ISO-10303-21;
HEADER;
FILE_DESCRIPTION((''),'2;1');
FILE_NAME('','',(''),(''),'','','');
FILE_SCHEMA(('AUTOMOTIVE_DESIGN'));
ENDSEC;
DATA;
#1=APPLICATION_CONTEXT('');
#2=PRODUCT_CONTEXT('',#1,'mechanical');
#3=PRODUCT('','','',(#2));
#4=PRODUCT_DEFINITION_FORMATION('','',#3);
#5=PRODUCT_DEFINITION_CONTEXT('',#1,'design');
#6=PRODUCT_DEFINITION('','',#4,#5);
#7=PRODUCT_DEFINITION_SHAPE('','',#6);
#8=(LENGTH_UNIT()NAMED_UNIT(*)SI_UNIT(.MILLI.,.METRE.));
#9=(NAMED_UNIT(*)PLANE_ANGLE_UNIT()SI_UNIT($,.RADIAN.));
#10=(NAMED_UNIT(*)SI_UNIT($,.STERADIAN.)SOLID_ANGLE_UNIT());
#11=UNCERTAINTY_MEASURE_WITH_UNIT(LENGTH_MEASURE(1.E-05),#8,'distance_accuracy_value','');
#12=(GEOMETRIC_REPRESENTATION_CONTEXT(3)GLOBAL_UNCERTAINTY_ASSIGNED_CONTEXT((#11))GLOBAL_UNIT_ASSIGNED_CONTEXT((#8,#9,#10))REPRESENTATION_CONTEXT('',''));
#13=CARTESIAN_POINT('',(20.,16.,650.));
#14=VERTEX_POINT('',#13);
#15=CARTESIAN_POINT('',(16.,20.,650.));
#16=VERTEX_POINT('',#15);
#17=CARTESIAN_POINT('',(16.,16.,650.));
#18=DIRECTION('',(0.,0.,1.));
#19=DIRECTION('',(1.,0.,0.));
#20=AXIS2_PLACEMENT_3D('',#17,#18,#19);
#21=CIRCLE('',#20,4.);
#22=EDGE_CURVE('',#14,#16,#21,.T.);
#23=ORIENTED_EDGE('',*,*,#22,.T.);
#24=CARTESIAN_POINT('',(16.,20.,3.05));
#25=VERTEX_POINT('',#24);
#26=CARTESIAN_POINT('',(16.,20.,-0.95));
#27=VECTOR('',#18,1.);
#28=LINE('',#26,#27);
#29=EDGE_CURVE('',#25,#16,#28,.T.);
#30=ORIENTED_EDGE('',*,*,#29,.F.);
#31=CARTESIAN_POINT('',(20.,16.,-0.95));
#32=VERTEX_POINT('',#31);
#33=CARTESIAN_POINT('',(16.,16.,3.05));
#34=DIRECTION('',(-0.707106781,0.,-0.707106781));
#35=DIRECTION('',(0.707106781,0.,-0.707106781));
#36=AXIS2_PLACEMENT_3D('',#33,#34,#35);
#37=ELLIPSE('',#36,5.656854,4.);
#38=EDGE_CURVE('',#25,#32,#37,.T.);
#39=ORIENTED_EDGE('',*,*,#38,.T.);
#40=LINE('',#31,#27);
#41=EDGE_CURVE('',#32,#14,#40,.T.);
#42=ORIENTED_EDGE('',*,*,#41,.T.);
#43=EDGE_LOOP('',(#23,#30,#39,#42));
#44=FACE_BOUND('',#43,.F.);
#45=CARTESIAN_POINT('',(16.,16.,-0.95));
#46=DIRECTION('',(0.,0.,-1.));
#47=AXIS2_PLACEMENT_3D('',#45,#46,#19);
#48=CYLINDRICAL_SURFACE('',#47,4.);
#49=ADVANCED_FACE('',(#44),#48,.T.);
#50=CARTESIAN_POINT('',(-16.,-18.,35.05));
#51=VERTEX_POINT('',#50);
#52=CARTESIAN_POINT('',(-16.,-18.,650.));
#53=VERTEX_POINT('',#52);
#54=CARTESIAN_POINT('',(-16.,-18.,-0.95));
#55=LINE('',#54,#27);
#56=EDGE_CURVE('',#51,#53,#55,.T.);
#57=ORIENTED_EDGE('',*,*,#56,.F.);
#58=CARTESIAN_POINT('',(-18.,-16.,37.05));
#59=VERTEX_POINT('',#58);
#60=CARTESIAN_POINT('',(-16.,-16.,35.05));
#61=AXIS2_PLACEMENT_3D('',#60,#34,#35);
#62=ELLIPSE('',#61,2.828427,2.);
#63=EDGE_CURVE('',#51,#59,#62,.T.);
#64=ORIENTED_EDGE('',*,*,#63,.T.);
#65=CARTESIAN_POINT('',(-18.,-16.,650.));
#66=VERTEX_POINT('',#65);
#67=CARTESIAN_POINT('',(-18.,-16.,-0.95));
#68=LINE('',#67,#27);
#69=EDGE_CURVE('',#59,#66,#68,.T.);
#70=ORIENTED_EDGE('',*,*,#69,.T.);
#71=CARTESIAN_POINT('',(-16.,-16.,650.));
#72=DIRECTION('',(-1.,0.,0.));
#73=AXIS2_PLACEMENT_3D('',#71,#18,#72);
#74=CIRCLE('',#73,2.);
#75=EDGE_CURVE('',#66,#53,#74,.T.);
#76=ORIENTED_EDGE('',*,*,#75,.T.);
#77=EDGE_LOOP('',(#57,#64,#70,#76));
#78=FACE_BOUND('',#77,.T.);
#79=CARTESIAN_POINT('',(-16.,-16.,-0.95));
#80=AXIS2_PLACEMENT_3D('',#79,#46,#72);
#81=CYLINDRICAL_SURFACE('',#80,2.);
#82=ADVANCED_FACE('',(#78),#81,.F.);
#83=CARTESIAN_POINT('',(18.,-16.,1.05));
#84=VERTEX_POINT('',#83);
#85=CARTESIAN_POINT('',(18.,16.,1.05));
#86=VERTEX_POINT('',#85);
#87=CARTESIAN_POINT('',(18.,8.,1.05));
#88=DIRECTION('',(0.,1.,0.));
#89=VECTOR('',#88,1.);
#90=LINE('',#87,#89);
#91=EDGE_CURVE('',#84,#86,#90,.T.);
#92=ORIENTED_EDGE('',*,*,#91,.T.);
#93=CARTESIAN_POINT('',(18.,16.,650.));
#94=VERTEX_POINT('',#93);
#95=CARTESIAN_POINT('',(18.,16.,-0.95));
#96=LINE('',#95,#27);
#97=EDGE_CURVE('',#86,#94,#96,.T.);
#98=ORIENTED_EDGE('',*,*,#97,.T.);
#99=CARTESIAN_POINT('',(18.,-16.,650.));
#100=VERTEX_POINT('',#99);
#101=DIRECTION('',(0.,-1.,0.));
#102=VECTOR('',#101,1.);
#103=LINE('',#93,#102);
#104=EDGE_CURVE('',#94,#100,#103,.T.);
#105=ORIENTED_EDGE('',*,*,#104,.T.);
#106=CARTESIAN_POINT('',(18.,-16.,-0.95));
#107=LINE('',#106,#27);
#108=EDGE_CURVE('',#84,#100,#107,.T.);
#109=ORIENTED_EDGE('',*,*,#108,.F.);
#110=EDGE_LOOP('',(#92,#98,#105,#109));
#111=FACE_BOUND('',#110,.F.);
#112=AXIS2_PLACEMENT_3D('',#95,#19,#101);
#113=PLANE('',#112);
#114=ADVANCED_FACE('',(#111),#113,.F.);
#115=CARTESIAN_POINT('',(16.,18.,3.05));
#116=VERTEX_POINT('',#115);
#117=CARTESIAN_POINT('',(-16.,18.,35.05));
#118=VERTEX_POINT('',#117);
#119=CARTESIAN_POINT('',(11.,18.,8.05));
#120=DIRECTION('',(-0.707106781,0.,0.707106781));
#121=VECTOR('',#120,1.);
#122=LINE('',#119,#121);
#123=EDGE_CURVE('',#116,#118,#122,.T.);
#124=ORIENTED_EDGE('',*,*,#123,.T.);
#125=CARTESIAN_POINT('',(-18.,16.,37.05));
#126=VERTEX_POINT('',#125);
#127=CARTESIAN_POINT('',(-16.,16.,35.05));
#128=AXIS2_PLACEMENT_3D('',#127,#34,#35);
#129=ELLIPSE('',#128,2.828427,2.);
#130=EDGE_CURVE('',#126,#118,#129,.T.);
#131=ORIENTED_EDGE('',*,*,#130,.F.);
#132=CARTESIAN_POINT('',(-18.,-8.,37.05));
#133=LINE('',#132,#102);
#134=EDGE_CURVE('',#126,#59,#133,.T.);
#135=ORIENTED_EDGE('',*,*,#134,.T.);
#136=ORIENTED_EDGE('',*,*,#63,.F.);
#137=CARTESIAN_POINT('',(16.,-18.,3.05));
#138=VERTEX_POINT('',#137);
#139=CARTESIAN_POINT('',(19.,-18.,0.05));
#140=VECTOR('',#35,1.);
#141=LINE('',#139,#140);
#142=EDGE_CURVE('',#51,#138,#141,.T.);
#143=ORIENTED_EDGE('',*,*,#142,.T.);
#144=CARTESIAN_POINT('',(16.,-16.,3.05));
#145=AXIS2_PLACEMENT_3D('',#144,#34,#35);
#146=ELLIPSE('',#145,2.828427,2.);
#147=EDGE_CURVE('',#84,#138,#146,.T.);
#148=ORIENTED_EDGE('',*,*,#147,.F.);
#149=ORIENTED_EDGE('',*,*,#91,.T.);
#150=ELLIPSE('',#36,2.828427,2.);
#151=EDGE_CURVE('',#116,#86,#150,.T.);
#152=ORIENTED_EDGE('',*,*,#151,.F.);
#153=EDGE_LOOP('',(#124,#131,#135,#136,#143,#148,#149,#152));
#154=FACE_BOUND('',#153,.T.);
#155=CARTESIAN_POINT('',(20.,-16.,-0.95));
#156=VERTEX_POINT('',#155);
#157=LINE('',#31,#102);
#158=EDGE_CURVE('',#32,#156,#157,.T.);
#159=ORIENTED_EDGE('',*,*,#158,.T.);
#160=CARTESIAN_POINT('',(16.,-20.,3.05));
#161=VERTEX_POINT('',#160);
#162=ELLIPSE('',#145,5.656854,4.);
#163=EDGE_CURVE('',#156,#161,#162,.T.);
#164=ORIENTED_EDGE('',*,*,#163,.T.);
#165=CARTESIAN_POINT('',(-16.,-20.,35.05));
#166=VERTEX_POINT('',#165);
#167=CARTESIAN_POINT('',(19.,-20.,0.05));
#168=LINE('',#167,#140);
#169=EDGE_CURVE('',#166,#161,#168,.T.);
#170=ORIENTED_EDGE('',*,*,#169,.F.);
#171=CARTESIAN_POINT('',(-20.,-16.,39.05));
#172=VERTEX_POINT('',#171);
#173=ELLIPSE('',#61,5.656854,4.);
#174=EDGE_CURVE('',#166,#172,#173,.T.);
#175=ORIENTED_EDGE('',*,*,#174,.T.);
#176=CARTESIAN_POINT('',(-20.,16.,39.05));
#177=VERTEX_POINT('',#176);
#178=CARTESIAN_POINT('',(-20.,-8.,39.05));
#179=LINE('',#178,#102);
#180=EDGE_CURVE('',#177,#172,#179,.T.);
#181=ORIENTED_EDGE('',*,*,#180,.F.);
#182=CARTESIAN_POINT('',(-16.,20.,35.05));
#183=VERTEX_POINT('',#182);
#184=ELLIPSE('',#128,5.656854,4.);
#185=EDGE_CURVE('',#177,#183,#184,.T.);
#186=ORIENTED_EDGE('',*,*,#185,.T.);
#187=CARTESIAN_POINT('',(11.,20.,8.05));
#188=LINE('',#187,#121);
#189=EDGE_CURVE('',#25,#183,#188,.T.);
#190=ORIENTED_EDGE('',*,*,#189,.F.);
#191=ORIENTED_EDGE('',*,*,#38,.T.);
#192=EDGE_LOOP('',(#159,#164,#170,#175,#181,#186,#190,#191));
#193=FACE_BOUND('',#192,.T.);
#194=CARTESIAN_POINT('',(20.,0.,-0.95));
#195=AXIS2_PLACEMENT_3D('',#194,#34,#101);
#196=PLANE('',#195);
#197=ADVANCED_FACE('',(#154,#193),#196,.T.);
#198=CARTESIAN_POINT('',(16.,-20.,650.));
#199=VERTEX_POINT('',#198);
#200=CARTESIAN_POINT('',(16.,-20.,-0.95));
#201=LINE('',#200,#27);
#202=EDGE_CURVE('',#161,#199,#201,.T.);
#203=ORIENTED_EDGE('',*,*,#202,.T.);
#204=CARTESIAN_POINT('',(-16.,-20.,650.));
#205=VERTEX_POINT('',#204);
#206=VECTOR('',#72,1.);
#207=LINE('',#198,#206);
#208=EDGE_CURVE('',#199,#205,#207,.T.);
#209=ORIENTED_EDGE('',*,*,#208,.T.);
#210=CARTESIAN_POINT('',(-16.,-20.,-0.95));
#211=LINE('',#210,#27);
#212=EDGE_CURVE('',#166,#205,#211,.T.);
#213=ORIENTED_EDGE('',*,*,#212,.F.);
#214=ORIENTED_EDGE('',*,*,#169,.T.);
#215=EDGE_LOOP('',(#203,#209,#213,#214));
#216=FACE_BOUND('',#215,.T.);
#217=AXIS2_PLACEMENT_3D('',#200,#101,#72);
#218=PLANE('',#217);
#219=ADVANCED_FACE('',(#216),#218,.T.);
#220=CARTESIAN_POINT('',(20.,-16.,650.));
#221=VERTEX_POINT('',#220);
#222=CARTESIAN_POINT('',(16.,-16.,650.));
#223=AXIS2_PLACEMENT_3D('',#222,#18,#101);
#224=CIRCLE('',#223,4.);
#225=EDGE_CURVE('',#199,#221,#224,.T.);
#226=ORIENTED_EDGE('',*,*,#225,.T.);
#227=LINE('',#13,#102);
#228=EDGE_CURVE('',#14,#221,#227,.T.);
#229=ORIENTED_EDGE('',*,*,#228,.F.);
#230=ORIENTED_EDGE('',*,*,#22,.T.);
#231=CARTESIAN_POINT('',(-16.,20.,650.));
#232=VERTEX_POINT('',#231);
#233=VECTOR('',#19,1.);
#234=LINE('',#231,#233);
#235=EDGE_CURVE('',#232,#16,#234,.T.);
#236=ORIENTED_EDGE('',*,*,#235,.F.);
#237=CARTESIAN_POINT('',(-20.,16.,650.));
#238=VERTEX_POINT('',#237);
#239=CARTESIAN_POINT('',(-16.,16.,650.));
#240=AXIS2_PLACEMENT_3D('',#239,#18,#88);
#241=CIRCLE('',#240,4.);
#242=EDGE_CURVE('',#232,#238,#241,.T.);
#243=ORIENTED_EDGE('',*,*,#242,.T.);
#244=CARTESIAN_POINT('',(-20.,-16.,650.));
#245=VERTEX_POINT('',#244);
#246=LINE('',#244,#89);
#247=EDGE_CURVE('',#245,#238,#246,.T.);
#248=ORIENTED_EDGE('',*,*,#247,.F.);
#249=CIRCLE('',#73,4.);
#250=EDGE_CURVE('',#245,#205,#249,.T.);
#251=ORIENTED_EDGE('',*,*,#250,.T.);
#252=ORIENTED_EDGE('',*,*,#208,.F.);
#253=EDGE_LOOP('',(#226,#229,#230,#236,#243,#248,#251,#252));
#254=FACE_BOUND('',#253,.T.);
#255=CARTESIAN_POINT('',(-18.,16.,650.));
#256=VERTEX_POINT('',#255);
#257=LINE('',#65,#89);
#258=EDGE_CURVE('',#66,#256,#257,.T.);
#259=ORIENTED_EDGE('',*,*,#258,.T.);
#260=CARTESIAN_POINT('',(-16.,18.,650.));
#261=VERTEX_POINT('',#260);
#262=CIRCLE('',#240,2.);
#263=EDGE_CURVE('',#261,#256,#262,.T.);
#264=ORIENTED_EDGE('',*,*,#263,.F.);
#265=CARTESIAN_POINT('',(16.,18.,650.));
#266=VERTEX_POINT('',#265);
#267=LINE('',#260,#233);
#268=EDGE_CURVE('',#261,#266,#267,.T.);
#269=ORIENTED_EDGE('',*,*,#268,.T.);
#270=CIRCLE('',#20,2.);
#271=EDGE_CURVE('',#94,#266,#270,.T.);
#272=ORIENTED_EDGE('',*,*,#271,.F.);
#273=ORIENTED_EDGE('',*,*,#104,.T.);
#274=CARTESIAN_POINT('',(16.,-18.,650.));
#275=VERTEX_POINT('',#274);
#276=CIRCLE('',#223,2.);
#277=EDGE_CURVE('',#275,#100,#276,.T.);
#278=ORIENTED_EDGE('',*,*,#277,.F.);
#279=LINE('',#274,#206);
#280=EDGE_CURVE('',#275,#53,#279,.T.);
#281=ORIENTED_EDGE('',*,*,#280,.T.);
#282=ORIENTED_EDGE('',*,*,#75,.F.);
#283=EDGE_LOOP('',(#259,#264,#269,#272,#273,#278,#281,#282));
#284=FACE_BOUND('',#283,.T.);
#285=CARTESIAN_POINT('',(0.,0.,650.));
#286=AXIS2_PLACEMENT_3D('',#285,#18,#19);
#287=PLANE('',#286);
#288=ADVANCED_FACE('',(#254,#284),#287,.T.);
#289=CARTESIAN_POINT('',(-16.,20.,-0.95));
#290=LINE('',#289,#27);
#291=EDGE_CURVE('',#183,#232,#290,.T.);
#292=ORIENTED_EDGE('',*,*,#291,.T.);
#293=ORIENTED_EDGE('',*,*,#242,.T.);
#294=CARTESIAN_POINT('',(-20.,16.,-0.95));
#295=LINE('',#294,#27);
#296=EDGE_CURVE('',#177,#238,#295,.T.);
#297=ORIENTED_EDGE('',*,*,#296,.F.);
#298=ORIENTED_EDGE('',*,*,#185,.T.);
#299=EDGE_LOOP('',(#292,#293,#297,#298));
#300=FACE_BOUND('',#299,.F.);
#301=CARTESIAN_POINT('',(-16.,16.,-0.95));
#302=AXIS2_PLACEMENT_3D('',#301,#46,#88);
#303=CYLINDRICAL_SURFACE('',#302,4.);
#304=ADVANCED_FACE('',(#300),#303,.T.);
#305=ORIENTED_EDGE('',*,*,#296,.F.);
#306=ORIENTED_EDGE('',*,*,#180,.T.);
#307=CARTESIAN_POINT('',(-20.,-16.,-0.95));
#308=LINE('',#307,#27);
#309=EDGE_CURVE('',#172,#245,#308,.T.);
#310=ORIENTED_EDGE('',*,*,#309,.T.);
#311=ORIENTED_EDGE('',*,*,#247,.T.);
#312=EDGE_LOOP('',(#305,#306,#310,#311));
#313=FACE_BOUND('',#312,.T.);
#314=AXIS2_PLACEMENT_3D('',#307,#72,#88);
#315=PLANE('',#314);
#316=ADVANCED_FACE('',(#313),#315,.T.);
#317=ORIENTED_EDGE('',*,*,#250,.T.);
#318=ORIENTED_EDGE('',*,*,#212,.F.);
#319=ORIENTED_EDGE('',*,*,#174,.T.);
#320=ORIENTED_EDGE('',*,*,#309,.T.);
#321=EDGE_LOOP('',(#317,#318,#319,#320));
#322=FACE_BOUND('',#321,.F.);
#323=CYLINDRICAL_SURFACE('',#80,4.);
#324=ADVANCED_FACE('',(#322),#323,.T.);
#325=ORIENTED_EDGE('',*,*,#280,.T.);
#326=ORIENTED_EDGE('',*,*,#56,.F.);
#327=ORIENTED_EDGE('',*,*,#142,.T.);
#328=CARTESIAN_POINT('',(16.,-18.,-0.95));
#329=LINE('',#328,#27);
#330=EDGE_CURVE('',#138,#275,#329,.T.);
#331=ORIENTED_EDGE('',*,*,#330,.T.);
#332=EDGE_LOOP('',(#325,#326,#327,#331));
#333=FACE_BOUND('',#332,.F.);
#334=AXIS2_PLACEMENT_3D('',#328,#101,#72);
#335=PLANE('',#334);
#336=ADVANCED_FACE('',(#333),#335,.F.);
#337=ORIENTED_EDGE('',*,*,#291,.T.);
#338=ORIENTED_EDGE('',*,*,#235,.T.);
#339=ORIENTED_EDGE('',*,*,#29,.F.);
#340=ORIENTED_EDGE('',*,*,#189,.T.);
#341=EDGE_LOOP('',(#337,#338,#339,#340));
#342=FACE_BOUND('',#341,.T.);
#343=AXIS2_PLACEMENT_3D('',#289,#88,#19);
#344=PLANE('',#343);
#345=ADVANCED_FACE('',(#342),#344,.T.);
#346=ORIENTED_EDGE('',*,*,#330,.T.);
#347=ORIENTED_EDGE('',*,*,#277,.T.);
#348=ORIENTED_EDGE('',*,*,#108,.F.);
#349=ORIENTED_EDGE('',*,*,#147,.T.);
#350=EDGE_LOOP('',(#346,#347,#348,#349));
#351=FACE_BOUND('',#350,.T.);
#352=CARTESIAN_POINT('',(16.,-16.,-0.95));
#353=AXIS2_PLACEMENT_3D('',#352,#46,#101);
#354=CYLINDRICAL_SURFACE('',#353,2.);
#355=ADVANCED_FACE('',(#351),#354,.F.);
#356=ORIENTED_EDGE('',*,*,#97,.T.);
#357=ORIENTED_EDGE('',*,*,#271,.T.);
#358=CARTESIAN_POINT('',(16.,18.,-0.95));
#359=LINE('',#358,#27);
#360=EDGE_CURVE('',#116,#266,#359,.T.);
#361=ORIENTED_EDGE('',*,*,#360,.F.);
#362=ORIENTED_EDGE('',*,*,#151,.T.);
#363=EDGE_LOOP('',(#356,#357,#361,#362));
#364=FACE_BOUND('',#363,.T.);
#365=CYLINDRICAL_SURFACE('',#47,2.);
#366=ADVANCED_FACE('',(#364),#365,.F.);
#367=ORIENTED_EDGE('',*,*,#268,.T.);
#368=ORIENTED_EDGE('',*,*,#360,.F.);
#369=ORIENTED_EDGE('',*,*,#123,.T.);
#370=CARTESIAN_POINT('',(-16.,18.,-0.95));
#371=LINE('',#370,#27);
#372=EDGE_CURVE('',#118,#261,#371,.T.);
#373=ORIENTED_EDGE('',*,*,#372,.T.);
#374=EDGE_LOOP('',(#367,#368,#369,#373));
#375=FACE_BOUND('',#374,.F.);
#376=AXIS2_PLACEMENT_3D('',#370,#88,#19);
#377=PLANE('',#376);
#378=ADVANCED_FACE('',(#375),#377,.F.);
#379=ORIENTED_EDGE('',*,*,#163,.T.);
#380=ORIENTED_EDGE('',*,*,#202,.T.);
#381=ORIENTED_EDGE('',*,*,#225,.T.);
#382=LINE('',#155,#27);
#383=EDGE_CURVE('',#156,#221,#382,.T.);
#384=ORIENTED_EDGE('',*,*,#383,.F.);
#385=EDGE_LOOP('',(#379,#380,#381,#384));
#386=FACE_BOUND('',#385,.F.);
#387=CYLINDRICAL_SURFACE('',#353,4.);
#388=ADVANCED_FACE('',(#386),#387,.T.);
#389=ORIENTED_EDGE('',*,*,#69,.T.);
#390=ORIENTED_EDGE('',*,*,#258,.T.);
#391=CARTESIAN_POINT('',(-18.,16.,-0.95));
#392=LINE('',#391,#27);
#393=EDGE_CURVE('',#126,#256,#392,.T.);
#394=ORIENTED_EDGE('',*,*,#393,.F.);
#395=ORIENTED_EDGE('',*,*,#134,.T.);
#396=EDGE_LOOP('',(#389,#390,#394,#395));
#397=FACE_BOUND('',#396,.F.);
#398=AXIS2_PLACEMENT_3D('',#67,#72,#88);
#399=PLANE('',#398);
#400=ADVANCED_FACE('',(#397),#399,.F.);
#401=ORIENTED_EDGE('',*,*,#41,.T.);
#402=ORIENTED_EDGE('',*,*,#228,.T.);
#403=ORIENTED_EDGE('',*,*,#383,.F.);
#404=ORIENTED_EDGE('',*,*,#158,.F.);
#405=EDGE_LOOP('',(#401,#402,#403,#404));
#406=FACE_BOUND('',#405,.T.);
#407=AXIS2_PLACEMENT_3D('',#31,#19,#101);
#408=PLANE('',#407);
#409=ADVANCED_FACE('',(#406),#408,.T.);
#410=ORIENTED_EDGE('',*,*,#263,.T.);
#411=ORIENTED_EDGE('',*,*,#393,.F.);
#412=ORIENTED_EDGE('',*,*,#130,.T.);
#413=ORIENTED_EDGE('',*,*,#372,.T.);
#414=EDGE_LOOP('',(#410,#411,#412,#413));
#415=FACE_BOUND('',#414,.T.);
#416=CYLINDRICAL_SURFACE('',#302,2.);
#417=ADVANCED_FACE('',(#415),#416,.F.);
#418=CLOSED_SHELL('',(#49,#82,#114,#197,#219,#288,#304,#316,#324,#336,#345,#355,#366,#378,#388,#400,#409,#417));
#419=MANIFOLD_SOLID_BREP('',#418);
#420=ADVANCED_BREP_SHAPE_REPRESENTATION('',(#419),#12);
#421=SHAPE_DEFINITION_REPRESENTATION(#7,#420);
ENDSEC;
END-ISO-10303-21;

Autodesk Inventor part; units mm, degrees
ref_plane "Start plane" through (0, 0, -0.95) normal (0, 0, 1) x (1, 0, 0)
ref_plane "End plane" through (0, 0, 650) normal (0, 0, 1) x (1, 0, 0)
sketch "Sketch" plane through (0, 0, 0) normal (0, 0, 1) x (1, 0, 0)
  line L0 (-20, -16) -> (-20, 16)
  line L1 (-16, 20) -> (16, 20)
  line L2 (20, 16) -> (20, -16)
  line L3 (16, -20) -> (-16, -20)
  arc A0 (-20, -16) -> (-16, -20) centre (-16, -16) ccw
  arc A1 (20, 16) -> (16, 20) centre (16, 16) ccw
  arc A2 (-16, 20) -> (-20, 16) centre (-16, 16) ccw
  arc A3 (16, -20) -> (20, -16) centre (16, -16) ccw
  arc A4 (-16, 18) -> (-18, 16) centre (-16, 16) ccw
  line L4 (-16, 18) -> (16, 18)
  arc A5 (18, 16) -> (16, 18) centre (16, 16) ccw
  line L5 (18, 16) -> (18, -16)
  arc A6 (16, -18) -> (18, -16) centre (16, -16) ccw
  line L6 (16, -18) -> (-16, -18)
  arc A7 (-18, -16) -> (-16, -18) centre (-16, -16) ccw
  line L7 (-18, -16) -> (-18, 16)
  line L8 (0, 29.1598) -> (0, -29.1598) construction
  line L9 (-29.1598, 0) -> (29.1598, 0) construction
  dimension "d7" = 4
  dimension "d9" = 40
  dimension "d11" = 40
  dimension "d12" = 2
  dimension "d15" = 20
  dimension "d16" = 20
extrude "Body" add sketch "Sketch" along normal up to surface (650.95 mm away) from surface at -0.95
sketch "Sketch3" plane through (0, 0, 0) normal (0, 0, 1) x (1, 0, 0)
  line L0 (0, 0) -> (10, 0)
ref_plane "Work Plane3" through (0, 0, 0) normal (0, -1, 0) x (1, 0, 0)
sketch "Sketch4" plane through (0, 0, 0) normal (0, -1, 0) x (1, 0, 0)
  line L0 (-2, -0.95) -> (12, -0.95)
  line L1 (-2, 650) -> (12, 650)
  dimension "d18" = 650.95
ref_plane "Work Plane4" through (20, 0, -0.95) normal (-0.7071, 0, -0.7071) x (-0.7071, 0, 0.7071)
split "Split1" plane through (20, 0, -0.95) removes the side toward (-0.7071, 0, -0.7071)
equation "\"d7\" = G_IR"
equation "\"d9\" = G_W"
equation "\"d11\" = G_H"
equation "\"d12\" = G_T"
equation "\"d15\" = 0.5 * d9"
equation "\"d16\" = 0.5 * d11"
equation "\"d3\" = G_L"
equation "\"G_W\" = 40"
equation "\"G_H\" = 40"
equation "\"G_T\" = 2"
equation "\"G_IR\" = 4"
equation "\"G_L\" = d18"
equation "\"G_OFFSET_START\" = 0.95"
equation "\"G_OFFSET_END\" = 0"
equation "\"d13\" = -G_OFFSET_START"
equation "\"d14\" = G_OFFSET_END + B_L"
equation "\"B_L\" = 650"
properties part number "ISO 4019 - 40x40x2 - 650.95" material "Steel, Mild"
